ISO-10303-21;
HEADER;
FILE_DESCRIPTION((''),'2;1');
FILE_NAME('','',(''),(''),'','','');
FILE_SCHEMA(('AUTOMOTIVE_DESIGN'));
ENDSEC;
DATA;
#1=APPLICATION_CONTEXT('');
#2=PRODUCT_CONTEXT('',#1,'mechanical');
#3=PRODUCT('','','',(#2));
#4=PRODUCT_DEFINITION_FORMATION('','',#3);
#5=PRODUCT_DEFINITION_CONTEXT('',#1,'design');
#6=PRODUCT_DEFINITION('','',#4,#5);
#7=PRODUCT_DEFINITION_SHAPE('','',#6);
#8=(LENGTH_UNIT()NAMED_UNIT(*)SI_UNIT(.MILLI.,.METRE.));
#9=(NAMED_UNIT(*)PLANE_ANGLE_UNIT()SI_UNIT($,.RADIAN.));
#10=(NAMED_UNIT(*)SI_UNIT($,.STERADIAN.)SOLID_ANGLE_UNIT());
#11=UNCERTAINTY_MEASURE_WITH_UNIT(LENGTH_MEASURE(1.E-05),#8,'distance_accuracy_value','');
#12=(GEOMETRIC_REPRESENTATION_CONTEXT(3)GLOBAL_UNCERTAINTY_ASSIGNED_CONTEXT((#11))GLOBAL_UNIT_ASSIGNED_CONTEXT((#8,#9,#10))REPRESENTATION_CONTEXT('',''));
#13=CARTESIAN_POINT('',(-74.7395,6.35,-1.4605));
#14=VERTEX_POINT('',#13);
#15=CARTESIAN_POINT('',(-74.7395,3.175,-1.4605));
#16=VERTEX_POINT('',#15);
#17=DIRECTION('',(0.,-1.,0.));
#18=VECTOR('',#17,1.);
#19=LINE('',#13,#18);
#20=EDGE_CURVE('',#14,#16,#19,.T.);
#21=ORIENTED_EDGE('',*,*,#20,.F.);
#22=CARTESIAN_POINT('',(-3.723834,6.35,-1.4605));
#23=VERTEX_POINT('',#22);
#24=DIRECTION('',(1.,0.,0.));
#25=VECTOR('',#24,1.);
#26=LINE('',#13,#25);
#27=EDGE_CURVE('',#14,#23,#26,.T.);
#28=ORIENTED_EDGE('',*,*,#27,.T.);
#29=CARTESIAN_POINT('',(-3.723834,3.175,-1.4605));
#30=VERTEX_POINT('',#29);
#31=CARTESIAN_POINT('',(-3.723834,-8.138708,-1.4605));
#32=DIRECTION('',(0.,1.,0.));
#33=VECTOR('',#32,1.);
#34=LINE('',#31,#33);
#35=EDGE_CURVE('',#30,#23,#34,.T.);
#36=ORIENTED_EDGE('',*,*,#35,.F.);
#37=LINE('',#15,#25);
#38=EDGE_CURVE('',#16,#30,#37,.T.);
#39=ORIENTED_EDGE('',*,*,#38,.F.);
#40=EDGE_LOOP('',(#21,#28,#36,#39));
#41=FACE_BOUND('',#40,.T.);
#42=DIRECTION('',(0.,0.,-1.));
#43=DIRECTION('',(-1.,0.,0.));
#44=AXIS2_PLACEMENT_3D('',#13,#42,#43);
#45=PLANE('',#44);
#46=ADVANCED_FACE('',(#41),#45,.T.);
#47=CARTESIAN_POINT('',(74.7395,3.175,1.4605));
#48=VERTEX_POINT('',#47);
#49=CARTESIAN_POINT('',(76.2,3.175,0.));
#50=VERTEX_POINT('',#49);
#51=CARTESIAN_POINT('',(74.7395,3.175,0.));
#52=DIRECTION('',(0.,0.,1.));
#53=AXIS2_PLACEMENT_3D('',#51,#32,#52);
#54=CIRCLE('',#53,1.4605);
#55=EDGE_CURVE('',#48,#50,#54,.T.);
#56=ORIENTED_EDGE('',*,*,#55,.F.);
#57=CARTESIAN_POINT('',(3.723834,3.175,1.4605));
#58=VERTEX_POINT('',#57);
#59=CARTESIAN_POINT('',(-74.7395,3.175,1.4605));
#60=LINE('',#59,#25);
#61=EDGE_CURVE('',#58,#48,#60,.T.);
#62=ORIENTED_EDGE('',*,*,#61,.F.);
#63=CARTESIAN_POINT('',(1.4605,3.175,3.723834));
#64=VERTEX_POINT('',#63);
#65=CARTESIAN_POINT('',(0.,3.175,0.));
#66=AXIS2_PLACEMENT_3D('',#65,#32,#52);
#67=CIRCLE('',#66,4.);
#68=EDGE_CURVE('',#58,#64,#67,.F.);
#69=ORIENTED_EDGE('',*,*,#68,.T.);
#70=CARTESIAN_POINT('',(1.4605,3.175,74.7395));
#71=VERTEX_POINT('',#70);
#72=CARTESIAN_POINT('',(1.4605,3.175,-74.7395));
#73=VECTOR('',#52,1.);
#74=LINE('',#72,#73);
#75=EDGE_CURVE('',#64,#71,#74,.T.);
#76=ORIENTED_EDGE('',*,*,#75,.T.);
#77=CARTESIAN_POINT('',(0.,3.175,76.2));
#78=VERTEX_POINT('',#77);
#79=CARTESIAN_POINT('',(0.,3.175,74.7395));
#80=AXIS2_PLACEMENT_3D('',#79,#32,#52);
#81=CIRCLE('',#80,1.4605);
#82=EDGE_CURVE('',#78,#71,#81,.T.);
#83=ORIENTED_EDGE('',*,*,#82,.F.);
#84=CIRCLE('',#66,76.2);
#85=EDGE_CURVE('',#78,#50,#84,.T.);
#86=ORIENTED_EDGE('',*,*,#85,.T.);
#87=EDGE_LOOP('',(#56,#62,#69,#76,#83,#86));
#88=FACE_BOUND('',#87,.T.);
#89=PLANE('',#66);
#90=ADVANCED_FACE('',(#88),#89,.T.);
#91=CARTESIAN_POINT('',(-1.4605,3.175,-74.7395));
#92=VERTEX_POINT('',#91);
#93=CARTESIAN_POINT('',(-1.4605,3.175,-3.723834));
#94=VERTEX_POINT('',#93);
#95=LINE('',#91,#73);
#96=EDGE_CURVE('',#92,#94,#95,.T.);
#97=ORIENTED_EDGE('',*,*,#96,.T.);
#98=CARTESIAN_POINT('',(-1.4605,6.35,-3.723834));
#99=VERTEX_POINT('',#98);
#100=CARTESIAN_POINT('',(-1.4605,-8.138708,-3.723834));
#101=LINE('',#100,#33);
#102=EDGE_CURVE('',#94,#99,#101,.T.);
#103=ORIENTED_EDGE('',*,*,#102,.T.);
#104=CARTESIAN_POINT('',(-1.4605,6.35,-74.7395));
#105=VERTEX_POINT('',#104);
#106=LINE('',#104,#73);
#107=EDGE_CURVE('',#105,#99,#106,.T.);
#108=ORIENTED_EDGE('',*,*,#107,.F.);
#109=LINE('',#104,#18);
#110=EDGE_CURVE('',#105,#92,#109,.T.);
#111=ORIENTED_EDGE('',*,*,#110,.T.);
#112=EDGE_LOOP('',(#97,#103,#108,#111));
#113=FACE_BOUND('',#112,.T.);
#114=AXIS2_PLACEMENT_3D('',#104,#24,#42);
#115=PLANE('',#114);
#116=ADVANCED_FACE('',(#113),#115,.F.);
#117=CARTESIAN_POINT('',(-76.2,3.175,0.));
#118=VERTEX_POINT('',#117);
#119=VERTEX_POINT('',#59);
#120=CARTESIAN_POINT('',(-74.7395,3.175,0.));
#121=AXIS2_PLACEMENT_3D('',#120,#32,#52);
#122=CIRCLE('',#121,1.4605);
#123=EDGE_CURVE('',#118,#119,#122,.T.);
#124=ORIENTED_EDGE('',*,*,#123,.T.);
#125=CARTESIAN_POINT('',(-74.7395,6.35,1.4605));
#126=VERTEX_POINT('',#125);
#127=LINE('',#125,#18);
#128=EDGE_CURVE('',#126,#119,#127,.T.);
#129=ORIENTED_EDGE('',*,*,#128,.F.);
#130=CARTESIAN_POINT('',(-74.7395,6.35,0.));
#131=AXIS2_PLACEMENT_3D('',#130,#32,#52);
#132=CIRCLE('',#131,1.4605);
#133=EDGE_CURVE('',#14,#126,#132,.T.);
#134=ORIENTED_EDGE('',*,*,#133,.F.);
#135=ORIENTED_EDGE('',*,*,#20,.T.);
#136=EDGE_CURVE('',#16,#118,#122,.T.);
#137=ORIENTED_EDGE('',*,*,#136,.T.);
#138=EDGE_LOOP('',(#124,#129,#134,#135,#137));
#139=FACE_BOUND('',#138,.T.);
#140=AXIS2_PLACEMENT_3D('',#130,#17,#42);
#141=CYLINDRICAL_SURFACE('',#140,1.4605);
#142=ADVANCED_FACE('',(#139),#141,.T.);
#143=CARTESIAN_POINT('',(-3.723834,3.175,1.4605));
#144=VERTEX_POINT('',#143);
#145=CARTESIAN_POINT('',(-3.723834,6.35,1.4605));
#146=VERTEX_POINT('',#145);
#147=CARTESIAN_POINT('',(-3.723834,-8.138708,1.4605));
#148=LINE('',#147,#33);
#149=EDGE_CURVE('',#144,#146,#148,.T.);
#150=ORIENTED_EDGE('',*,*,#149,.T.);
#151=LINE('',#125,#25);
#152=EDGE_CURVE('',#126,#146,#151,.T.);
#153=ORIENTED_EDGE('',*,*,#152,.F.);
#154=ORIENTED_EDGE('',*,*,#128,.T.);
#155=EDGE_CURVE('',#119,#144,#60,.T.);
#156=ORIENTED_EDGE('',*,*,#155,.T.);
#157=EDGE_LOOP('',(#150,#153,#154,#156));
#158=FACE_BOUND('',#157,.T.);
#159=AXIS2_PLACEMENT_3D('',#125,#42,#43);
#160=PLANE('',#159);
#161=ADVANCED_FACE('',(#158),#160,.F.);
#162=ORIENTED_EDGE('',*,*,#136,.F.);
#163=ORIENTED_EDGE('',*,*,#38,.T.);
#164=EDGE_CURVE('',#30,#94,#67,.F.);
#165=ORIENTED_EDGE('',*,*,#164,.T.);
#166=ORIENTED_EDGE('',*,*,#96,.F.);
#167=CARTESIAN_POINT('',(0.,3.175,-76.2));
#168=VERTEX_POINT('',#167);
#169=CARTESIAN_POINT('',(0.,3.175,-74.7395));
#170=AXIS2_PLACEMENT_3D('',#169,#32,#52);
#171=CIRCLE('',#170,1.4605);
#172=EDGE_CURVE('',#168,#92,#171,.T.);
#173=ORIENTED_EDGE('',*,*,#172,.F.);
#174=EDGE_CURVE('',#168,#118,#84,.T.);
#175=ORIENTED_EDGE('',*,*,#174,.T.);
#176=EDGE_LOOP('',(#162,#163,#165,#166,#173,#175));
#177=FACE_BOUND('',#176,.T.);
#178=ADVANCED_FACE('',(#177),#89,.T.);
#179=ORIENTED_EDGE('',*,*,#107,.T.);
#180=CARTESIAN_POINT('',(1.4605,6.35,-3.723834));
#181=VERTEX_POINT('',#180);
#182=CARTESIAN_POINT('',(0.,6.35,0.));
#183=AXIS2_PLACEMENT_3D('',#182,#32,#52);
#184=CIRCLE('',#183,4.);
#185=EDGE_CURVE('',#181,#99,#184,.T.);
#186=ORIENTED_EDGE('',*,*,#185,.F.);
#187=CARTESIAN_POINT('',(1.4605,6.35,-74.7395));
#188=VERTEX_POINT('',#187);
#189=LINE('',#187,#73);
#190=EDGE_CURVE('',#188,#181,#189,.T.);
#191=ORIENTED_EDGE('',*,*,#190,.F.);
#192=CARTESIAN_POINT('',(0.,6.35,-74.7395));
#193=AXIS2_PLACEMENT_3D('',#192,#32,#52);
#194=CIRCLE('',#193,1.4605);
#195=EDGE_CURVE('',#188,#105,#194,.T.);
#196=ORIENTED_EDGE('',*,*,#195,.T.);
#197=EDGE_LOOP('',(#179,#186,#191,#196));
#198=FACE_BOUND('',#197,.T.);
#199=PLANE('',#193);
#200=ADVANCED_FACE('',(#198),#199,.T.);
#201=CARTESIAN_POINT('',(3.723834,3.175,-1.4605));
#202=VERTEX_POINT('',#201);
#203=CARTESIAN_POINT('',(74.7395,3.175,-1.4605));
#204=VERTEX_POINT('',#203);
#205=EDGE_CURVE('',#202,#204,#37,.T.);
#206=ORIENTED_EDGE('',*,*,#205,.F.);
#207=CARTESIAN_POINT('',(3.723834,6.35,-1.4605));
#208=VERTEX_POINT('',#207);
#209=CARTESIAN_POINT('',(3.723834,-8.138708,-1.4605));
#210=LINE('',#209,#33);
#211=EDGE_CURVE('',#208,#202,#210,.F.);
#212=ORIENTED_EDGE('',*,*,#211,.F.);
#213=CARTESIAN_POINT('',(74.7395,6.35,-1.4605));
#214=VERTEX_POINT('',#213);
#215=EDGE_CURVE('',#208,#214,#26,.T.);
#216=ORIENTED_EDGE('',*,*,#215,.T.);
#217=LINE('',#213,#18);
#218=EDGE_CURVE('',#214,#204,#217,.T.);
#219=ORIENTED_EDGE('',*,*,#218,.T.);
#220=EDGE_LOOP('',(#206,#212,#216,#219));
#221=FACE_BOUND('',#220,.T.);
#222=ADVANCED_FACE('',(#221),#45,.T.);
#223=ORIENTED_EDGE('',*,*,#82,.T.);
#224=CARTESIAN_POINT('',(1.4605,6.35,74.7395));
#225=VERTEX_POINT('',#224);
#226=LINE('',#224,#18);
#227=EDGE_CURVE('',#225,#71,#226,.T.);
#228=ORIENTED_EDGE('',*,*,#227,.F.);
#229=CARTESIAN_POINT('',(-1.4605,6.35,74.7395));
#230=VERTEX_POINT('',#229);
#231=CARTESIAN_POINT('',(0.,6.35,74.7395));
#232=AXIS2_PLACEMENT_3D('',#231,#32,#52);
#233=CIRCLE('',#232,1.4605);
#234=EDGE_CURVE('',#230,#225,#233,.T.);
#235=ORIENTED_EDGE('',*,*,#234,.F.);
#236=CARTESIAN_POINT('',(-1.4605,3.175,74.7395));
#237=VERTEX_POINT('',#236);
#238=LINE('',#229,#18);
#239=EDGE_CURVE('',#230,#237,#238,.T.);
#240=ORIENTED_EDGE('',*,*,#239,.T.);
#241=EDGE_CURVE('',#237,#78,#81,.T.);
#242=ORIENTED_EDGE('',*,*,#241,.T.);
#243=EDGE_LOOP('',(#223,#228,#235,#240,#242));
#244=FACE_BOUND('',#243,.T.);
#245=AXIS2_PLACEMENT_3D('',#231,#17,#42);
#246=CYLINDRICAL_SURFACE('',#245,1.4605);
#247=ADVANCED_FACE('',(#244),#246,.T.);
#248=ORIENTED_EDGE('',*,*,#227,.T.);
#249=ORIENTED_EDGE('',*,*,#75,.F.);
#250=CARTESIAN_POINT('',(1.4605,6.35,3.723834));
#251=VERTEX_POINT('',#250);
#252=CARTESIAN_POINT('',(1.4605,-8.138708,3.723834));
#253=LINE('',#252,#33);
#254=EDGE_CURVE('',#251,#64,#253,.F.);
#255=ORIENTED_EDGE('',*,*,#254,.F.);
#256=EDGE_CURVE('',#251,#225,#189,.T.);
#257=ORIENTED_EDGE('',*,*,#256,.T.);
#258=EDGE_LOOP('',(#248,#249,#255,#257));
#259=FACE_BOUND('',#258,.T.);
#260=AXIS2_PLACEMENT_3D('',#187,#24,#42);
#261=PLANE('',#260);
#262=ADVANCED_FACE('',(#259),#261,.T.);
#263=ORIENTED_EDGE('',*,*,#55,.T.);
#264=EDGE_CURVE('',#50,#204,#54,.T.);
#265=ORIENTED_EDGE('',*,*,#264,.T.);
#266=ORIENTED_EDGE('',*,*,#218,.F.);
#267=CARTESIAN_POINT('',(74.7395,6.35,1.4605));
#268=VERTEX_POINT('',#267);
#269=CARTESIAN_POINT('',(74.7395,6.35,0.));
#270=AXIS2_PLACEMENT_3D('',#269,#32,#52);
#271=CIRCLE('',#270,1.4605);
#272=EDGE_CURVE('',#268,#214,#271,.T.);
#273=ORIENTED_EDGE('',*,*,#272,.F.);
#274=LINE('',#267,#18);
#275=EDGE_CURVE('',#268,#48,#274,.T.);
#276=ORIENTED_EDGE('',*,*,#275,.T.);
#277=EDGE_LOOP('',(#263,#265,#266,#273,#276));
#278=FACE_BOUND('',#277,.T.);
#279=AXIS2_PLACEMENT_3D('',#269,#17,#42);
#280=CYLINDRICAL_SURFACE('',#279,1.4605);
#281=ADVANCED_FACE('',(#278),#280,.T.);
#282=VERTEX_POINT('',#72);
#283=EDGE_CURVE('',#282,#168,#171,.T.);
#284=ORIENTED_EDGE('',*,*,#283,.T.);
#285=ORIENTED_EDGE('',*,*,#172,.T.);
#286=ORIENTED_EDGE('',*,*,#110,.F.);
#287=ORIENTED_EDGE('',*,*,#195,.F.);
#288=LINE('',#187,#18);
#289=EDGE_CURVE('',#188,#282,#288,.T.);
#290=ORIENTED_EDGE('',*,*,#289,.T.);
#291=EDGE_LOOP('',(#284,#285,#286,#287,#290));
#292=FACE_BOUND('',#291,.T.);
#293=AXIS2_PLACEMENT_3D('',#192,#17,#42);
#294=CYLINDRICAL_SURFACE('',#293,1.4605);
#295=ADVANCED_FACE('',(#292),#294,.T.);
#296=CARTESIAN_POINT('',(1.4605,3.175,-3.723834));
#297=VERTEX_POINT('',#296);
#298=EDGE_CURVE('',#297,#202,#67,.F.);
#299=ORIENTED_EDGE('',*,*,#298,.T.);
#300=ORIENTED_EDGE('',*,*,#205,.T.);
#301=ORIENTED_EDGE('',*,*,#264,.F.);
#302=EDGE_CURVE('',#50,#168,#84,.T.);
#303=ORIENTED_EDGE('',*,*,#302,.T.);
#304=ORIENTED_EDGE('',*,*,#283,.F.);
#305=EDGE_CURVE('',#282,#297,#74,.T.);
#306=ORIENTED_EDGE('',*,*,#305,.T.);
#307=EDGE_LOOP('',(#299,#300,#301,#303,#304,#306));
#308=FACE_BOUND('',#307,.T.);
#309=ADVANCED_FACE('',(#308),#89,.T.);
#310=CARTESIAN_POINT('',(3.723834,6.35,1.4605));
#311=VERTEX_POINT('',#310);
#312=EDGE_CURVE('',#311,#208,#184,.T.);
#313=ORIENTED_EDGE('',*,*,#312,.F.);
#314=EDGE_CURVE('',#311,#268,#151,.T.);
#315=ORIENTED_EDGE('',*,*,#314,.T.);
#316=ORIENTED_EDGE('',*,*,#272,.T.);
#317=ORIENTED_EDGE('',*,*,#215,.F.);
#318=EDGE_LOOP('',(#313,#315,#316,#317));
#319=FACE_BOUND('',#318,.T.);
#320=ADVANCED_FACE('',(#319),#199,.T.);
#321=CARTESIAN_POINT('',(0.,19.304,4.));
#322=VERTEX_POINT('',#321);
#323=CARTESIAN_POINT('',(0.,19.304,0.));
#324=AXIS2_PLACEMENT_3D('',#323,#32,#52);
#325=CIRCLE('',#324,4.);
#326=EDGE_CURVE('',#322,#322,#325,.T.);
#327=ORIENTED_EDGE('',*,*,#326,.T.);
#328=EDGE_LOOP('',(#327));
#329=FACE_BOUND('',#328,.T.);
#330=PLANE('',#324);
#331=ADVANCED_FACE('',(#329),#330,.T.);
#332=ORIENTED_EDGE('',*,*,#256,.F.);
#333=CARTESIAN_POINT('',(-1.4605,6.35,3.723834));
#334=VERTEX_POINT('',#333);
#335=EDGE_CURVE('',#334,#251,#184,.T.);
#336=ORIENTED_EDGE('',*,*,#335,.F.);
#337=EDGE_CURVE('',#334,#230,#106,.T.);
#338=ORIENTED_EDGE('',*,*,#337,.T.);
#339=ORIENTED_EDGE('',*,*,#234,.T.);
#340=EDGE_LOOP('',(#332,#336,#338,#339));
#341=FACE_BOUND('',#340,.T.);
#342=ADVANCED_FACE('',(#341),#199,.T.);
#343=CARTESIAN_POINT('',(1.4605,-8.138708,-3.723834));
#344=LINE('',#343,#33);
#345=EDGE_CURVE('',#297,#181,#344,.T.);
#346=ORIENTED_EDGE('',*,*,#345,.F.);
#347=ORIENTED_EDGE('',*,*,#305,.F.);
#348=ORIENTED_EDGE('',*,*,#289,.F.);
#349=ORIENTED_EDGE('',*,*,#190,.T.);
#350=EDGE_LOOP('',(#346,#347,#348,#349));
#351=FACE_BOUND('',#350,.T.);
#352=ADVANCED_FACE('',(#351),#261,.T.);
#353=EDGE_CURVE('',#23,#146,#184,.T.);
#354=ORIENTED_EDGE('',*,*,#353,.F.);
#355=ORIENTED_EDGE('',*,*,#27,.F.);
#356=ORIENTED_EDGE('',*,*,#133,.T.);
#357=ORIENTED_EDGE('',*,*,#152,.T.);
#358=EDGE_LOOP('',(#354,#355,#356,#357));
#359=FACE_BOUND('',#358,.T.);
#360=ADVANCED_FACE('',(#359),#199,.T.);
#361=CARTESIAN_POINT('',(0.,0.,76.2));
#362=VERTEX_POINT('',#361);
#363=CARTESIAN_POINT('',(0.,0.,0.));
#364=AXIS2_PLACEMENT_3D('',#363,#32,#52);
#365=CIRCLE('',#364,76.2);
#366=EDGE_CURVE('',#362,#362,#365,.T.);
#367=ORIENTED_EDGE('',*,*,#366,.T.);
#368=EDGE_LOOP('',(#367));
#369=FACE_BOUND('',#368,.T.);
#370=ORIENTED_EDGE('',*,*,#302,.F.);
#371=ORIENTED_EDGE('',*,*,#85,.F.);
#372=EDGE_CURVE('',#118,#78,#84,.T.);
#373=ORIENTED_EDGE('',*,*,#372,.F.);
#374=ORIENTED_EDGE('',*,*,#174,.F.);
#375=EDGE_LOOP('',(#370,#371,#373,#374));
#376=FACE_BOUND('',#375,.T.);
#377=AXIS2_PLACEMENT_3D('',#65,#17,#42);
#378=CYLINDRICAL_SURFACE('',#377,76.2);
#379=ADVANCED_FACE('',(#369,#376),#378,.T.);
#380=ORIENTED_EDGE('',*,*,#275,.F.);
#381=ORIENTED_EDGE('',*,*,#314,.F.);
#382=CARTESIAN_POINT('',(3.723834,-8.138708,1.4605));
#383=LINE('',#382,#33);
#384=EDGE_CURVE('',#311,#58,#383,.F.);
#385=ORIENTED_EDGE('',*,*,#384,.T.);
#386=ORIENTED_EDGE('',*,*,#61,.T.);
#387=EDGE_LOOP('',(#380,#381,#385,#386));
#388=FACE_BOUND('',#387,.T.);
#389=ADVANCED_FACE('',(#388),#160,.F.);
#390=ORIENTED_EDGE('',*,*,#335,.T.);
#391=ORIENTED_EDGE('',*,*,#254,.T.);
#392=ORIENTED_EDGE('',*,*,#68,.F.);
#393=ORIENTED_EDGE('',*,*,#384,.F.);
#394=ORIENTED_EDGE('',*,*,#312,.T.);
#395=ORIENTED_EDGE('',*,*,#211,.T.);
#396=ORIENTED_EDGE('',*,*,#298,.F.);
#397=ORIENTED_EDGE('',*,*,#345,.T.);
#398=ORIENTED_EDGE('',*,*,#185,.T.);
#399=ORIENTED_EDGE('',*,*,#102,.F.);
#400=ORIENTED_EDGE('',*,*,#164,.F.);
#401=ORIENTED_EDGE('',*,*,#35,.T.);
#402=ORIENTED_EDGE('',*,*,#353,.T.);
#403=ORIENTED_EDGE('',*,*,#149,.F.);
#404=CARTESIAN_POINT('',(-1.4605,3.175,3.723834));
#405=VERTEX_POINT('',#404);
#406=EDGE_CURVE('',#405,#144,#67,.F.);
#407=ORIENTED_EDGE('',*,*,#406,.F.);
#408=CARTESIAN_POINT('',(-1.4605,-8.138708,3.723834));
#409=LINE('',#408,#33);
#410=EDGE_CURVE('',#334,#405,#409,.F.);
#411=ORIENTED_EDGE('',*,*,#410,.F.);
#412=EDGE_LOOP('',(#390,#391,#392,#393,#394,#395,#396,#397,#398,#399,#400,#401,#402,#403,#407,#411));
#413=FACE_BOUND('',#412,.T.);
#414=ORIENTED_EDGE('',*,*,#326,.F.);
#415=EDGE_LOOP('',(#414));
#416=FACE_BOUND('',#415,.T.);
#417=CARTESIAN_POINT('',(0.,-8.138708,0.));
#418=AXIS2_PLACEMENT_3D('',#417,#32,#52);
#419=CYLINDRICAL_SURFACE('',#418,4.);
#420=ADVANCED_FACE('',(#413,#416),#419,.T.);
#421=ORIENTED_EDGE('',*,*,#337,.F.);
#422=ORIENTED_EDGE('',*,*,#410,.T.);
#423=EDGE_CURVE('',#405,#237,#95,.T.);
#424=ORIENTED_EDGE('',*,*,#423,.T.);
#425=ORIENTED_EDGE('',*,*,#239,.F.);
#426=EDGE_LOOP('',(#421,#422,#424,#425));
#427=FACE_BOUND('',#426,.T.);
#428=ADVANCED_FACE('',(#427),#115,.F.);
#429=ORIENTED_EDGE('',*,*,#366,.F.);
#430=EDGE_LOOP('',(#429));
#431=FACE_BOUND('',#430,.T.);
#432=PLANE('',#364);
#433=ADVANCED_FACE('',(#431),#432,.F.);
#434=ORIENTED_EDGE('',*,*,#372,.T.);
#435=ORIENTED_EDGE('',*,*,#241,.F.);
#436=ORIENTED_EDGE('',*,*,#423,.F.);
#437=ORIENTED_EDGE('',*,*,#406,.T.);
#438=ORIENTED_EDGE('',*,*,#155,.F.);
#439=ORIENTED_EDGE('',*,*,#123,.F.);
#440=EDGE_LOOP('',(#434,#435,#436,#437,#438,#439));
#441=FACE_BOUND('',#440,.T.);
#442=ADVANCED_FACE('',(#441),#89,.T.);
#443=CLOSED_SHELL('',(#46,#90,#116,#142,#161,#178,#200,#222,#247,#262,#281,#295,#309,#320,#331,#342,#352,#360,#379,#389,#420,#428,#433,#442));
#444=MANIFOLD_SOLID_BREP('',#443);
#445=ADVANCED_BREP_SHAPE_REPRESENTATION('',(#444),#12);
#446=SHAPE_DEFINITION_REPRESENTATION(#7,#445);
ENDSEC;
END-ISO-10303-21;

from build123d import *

# Parameters (mm, degrees)
SKETCH1_R                = 76.2
BOSS_EXTRUDE1_DEPTH      = 3.175
BOSS_EXTRUDE2_DEPTH      = 3.175
SKETCH3_R                = 4
BOSS_EXTRUDE3_DEPTH      = 12.954
BOSS_EXTRUDE3_DEPTH_BACK = 6.35


with BuildPart() as part:
    # Sketch1 → Boss-Extrude1 (new body)
    with BuildSketch(Plane(origin=(0, 0, 0), x_dir=(1, 0, 0), z_dir=(0, 1, 0))):
        Circle(SKETCH1_R)
    extrude(amount=BOSS_EXTRUDE1_DEPTH)

    # Sketch2 → Boss-Extrude2 (add)
    with BuildSketch(Plane(origin=(0, 3.175, 0), x_dir=(1, 0, 0), z_dir=(0, 1, 0))):
        with BuildLine():
            Line((-74.7395, 1.4605), (74.7395, 1.4605))
            ThreePointArc((74.7395, 1.4605), (76.2, 0), (74.7395, -1.4605))
            Line((74.7395, -1.4605), (-74.7395, -1.4605))
            ThreePointArc((-74.7395, -1.4605), (-76.2, 0), (-74.7395, 1.4605))
        make_face()
        with BuildLine():
            Line((1.4605, 74.7395), (1.4605, -74.7395))
            ThreePointArc((1.4605, -74.7395), (0, -76.2), (-1.4605, -74.7395))
            Line((-1.4605, -74.7395), (-1.4605, 74.7395))
            ThreePointArc((-1.4605, 74.7395), (0, 76.2), (1.4605, 74.7395))
        make_face()
    extrude(amount=BOSS_EXTRUDE2_DEPTH)

    # Sketch3 → Boss-Extrude3 (add, two sides)
    with BuildSketch(Plane(origin=(0, 6.35, 0), x_dir=(1, 0, 0), z_dir=(0, 1, 0))) as boss_extrude3_sk:
        Circle(SKETCH3_R)
    extrude(amount=BOSS_EXTRUDE3_DEPTH)
    extrude(boss_extrude3_sk.sketch, amount=-BOSS_EXTRUDE3_DEPTH_BACK)


solid = part.part
